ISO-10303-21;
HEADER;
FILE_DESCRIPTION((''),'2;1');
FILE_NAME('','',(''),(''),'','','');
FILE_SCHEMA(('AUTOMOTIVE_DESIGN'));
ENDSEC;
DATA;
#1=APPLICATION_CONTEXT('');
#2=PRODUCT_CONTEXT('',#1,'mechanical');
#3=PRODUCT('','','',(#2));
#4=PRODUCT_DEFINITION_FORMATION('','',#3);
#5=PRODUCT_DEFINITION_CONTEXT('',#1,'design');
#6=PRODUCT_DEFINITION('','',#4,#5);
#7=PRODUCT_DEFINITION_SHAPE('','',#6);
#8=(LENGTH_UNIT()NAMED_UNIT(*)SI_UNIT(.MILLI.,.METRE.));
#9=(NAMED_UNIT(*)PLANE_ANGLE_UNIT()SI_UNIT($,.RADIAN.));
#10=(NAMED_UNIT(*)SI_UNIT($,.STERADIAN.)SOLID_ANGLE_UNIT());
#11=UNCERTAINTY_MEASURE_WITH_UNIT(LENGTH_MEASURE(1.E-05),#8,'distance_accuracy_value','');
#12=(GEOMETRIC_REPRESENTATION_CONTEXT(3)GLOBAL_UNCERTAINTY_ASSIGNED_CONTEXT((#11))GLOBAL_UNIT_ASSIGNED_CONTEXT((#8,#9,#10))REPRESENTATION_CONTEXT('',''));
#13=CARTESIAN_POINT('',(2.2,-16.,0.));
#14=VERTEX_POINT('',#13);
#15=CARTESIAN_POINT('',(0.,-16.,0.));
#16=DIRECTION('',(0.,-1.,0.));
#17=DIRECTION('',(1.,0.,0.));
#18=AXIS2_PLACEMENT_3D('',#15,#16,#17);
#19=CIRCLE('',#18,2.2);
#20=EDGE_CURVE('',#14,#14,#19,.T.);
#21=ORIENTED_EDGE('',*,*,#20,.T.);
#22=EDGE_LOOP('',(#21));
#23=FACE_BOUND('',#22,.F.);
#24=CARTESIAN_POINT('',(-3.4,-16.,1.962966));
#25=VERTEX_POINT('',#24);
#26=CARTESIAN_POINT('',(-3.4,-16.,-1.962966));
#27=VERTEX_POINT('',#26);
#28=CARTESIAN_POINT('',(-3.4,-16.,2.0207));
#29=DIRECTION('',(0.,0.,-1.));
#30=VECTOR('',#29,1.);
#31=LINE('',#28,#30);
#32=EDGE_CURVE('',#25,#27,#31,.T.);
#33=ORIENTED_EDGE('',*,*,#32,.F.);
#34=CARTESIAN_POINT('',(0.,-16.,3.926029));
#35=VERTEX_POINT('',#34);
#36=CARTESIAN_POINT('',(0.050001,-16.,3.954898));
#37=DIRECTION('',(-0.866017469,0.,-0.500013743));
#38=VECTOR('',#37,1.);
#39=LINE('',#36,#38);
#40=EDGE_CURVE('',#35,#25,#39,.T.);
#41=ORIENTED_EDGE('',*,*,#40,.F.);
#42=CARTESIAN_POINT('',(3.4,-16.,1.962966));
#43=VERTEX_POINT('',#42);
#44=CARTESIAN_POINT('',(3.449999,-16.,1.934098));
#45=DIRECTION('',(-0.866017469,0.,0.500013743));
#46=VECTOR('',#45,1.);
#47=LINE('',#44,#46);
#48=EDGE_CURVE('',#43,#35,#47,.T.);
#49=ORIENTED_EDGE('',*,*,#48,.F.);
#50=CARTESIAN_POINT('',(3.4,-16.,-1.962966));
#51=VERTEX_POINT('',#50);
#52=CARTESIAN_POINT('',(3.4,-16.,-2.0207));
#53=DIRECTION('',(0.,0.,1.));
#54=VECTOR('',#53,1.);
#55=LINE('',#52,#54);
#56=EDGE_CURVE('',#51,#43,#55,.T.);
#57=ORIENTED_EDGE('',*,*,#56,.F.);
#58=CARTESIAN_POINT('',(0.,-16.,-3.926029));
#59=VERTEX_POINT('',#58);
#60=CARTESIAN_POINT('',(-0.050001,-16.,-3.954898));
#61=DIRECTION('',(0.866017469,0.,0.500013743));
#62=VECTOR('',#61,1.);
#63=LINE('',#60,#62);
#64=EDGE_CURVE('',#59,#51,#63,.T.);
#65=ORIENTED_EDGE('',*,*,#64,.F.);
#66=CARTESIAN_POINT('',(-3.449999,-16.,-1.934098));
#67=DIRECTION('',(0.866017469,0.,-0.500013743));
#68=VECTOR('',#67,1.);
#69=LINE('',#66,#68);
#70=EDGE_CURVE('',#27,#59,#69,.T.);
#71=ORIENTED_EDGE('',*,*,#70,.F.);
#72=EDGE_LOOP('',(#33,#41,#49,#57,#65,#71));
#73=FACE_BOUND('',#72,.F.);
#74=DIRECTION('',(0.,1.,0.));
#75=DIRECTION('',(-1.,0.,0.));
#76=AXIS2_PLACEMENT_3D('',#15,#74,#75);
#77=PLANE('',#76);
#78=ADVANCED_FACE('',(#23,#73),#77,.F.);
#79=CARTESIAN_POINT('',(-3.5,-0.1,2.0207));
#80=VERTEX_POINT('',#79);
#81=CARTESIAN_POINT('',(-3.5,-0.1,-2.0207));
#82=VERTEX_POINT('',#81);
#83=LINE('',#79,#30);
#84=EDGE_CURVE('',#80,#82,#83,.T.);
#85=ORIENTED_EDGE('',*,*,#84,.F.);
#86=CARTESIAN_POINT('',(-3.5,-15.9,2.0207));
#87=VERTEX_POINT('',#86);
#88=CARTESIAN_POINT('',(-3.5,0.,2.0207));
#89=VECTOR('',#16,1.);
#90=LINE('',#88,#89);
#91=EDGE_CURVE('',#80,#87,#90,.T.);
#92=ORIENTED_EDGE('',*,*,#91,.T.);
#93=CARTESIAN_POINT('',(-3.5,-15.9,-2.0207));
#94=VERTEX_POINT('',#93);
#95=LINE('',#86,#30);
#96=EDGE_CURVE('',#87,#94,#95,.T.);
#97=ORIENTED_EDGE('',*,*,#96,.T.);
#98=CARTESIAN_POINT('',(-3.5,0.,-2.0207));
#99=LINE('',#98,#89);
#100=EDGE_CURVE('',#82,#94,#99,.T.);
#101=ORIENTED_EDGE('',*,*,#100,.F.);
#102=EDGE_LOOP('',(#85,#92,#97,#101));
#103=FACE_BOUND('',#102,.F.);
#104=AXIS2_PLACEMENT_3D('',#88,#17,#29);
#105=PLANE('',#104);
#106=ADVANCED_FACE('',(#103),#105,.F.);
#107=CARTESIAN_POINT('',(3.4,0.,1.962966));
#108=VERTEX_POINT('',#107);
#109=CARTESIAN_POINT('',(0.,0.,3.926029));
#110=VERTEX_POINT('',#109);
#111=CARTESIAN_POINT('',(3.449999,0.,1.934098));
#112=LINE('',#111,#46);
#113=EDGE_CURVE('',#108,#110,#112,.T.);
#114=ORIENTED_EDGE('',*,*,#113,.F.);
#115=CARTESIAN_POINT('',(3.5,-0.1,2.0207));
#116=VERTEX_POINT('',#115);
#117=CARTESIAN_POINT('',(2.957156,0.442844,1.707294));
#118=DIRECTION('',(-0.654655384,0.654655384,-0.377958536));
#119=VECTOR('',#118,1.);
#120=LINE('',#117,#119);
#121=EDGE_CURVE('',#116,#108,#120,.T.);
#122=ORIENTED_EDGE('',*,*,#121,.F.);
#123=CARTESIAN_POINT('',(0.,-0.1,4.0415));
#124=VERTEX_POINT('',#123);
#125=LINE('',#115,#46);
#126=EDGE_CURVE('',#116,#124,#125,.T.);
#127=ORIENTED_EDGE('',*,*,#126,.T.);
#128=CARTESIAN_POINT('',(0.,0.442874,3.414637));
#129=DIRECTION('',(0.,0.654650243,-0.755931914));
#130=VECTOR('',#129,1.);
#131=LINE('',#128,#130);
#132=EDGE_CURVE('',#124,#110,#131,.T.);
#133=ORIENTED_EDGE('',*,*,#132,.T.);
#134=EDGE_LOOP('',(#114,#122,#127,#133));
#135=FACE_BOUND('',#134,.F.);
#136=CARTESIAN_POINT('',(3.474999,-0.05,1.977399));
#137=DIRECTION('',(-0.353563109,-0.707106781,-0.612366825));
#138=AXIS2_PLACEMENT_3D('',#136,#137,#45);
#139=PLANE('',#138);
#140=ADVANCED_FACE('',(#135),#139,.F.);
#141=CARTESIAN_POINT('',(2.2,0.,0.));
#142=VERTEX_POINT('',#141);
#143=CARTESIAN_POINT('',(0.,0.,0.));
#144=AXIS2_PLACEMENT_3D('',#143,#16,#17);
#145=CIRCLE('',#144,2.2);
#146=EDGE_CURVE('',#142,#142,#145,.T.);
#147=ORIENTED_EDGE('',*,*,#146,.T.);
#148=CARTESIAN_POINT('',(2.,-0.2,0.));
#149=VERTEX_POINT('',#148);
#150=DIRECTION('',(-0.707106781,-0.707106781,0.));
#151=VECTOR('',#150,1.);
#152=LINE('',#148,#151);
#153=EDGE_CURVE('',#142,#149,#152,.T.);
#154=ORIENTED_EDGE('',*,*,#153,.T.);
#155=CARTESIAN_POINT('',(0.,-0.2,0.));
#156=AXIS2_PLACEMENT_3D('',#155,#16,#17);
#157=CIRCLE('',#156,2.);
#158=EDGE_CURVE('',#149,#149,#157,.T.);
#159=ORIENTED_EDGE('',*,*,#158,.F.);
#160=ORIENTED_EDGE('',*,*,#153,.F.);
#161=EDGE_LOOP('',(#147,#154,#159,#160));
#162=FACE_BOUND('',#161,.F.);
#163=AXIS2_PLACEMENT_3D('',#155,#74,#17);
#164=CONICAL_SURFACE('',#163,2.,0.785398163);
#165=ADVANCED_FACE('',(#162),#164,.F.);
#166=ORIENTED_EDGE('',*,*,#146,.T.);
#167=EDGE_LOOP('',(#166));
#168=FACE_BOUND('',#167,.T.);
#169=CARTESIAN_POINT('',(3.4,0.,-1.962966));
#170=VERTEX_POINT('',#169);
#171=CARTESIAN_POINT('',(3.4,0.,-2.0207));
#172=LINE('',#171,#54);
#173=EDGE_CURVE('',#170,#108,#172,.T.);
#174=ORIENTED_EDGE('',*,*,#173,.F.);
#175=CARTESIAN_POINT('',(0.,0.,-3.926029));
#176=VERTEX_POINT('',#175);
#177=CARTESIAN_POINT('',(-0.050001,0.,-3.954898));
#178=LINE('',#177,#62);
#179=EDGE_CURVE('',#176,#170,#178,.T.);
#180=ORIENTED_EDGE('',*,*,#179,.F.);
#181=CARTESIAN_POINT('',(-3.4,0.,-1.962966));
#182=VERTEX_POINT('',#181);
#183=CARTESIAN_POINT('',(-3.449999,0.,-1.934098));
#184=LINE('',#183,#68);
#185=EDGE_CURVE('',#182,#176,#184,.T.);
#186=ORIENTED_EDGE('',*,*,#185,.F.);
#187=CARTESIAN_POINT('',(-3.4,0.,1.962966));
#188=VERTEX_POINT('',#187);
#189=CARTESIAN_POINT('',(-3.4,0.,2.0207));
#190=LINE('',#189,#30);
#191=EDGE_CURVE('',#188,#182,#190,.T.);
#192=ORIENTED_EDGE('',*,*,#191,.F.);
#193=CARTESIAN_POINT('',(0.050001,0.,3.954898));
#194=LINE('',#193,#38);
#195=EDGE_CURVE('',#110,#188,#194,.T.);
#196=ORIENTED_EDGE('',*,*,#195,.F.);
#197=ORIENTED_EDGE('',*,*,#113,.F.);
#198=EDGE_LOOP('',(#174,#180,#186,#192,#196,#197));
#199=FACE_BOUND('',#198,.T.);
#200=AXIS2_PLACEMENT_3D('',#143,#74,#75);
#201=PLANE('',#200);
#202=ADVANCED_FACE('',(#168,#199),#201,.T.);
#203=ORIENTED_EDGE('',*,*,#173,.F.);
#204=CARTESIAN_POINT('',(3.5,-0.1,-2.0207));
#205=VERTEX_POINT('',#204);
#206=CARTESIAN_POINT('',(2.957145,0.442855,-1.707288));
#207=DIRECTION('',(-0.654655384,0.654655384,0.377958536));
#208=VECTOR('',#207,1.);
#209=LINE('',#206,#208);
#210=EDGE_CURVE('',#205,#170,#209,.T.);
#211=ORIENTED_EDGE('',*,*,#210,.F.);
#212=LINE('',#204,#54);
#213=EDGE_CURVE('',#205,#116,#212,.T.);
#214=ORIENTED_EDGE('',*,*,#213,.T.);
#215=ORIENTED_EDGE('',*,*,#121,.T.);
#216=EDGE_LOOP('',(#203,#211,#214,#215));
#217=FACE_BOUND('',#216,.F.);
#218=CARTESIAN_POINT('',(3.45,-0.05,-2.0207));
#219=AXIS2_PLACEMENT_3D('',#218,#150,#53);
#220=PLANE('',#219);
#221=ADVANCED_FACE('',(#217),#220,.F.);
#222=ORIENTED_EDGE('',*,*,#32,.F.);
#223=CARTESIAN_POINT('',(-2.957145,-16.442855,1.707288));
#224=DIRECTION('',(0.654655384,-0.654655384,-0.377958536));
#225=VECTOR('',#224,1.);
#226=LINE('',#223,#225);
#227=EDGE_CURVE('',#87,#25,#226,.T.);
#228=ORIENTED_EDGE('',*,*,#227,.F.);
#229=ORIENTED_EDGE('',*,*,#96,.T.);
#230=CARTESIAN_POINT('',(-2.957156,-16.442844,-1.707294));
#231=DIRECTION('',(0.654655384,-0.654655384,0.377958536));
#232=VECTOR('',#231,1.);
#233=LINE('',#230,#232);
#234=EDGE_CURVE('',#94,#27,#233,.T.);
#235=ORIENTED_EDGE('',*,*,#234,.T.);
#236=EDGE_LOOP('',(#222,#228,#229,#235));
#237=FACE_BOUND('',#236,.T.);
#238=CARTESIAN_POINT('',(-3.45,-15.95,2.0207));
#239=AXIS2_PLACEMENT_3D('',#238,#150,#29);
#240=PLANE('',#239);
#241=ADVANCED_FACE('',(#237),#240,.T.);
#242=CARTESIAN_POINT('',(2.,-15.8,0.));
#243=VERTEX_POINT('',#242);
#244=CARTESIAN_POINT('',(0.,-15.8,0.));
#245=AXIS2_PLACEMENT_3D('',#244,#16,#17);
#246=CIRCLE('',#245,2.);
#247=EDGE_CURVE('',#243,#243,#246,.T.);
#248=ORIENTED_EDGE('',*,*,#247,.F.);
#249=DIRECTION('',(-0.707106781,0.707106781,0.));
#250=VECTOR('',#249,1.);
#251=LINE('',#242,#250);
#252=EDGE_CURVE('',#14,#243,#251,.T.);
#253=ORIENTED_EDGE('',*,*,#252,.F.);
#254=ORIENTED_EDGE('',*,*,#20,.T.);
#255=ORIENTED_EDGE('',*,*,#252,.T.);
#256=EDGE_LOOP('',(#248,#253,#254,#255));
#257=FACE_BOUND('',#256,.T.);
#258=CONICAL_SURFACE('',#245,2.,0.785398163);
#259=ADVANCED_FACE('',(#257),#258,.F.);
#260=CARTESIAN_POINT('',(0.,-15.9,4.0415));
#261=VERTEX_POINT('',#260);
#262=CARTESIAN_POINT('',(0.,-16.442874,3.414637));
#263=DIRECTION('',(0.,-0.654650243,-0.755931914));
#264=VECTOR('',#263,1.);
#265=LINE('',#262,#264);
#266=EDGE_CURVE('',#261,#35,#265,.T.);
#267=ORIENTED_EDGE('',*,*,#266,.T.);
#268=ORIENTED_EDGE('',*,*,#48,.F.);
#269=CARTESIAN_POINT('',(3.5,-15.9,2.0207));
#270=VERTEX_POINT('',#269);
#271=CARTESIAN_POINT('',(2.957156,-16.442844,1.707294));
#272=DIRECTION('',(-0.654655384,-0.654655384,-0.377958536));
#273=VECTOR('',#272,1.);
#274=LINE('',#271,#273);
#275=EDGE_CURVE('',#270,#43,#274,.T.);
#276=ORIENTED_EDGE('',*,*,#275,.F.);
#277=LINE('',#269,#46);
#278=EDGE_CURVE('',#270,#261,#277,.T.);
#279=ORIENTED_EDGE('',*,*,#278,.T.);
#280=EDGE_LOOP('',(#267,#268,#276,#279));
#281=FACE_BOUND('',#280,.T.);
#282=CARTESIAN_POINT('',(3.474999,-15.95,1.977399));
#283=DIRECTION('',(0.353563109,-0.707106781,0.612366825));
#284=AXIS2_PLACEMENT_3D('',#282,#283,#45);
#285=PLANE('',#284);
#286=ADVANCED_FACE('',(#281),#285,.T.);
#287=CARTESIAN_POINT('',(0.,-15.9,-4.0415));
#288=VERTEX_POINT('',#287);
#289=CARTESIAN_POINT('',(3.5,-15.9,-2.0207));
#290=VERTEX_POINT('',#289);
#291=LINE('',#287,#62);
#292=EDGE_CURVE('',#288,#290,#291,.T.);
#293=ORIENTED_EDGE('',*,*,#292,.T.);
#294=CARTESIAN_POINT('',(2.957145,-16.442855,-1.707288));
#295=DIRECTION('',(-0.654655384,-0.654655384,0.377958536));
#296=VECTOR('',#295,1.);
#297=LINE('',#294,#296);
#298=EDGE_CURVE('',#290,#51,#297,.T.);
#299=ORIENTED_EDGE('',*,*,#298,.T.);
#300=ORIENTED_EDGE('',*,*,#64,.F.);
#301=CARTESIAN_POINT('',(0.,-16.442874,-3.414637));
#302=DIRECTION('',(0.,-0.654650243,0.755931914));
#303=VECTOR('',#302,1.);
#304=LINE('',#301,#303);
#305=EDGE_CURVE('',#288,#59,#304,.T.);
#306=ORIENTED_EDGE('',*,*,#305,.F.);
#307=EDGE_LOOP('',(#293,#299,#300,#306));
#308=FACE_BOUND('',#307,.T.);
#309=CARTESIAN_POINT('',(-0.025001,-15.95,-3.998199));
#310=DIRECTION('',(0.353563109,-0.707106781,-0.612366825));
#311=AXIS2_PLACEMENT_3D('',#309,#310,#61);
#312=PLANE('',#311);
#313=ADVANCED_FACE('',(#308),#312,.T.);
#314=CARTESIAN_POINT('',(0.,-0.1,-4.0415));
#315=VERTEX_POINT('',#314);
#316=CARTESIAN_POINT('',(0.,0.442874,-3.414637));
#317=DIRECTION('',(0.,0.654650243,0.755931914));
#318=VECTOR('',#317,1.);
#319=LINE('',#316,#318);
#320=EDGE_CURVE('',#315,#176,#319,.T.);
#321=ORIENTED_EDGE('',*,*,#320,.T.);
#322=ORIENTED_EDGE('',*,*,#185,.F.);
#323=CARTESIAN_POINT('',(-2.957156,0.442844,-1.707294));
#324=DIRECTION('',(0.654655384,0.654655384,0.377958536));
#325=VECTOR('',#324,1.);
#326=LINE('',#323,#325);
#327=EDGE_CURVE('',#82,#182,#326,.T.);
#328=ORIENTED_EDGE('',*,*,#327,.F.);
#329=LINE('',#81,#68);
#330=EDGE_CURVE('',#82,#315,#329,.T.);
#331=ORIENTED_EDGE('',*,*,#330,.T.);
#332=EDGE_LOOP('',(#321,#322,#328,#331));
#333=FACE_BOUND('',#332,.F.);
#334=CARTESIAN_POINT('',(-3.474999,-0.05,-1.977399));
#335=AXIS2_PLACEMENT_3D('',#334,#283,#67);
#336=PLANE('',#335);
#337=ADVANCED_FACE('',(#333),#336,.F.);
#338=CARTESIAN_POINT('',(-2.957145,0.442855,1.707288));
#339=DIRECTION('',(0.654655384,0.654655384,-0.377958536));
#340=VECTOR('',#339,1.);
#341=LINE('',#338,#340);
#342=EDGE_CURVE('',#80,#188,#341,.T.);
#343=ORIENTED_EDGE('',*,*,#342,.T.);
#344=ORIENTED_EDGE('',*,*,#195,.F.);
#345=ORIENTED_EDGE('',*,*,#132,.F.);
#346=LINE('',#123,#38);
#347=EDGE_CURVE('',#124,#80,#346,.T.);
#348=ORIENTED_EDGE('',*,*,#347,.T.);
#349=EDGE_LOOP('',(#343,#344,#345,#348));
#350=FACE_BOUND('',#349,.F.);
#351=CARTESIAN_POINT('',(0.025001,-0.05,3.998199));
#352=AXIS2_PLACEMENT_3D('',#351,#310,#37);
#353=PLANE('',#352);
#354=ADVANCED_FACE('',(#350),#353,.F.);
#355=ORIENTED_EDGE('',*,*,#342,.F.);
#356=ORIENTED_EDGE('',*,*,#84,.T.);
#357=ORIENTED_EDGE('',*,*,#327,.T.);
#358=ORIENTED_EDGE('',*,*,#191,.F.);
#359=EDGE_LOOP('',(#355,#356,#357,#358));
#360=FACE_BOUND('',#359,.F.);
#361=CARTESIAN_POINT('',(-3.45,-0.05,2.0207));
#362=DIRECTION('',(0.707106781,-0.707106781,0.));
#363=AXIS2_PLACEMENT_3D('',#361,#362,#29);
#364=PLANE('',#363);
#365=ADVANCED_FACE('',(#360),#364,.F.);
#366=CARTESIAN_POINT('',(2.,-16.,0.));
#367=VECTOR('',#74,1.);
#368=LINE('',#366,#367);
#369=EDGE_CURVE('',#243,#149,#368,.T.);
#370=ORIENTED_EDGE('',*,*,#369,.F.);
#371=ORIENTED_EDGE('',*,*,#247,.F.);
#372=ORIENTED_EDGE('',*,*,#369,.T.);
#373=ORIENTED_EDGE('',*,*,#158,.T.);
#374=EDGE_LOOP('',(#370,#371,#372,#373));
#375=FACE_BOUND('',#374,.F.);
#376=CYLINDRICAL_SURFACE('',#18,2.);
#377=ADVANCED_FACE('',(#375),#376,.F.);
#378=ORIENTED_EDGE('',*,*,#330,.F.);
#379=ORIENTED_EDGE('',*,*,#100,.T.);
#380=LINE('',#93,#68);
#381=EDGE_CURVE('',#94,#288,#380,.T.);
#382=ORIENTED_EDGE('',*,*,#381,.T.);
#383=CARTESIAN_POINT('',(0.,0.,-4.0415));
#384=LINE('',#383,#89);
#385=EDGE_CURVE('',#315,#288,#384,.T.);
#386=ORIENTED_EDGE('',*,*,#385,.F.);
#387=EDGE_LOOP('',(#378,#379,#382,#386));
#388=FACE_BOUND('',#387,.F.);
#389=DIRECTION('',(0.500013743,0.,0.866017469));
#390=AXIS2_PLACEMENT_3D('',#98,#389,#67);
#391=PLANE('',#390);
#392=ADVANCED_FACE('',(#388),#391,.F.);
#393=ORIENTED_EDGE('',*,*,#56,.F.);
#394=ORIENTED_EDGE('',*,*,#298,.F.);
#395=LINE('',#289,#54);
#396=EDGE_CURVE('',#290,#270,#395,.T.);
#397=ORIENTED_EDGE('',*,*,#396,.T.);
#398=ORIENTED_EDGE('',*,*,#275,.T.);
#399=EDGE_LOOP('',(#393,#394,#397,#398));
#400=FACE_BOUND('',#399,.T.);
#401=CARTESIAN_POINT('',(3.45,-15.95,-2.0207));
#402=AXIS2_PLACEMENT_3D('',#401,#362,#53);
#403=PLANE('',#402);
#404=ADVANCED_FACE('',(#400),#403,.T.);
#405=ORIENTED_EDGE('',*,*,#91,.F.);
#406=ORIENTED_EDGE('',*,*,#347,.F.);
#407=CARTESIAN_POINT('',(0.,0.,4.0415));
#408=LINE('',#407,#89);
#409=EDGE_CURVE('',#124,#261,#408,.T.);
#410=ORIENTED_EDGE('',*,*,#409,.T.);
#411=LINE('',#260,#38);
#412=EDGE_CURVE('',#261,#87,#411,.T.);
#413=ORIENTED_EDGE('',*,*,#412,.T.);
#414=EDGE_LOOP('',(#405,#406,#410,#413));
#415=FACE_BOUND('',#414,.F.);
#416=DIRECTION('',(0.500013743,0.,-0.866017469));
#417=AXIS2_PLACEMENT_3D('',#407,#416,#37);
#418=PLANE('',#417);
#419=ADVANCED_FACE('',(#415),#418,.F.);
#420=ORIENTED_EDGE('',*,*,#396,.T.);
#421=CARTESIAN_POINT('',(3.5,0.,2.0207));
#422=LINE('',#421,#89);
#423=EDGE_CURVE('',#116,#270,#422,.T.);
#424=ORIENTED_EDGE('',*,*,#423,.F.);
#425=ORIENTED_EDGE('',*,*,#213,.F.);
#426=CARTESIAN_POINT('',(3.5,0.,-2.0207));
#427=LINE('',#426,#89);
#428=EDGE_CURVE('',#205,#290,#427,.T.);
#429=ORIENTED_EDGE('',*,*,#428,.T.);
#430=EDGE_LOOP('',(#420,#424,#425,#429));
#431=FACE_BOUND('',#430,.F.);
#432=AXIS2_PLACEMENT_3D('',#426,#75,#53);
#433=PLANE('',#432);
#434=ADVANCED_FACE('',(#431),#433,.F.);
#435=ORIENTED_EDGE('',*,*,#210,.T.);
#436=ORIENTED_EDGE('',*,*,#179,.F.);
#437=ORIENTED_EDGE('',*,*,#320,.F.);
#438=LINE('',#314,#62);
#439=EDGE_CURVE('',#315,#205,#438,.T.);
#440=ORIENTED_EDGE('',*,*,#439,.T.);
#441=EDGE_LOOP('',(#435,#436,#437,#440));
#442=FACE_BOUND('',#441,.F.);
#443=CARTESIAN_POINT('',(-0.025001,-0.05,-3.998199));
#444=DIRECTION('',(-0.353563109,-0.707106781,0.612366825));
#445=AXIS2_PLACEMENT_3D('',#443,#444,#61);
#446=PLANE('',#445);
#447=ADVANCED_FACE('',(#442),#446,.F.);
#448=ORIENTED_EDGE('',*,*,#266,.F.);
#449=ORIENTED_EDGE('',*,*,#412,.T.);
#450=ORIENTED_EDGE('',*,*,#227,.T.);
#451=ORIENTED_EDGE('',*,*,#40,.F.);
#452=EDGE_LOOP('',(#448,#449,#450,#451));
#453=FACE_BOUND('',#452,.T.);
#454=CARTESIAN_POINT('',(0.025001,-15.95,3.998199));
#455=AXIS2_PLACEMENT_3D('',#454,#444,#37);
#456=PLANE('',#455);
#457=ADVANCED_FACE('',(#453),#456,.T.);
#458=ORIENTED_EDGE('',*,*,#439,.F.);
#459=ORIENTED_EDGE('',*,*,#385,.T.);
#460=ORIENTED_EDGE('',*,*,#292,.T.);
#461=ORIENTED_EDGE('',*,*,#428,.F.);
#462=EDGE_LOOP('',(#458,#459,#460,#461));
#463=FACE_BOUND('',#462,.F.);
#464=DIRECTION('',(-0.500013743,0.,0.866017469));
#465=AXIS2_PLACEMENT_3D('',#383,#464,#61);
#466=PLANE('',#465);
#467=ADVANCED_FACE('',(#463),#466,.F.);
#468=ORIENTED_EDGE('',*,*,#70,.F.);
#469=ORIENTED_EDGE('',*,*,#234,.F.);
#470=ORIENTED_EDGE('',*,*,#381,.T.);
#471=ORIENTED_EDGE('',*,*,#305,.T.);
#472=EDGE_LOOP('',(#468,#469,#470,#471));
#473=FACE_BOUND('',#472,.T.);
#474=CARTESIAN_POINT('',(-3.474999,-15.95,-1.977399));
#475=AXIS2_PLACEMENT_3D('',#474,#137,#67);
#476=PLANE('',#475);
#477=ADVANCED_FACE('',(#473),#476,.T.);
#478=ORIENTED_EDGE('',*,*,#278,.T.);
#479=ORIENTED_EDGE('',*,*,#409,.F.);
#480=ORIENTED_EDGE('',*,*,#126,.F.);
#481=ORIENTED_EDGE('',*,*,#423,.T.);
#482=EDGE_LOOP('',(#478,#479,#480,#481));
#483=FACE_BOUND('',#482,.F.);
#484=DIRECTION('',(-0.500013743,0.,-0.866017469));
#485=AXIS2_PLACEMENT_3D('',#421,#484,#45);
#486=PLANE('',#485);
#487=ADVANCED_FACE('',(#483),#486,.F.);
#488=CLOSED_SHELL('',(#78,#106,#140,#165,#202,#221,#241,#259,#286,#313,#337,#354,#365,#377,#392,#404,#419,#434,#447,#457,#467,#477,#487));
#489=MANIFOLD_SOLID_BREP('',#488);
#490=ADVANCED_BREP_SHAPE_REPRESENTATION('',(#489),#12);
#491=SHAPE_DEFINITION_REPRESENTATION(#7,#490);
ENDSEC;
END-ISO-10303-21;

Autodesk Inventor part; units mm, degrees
ref_plane "YZ Plane" through (0, 0, 0) normal (1, 0, 0) x (0, 1, 0)
ref_plane "XZ Plane" through (0, 0, 0) normal (0, 1, 0) x (-1, 0, 0)
ref_plane "XY Plane" through (0, 0, 0) normal (0, 0, 1) x (1, 0, 0)
sketch "Sketch1" plane through (0, 0, 0) normal (0, 1, 0) x (-1, 0, 0)
  line L0 (-3.5, -2.0207) -> (-3.5, 2.0207)
  line L1 (-3.5, 2.0207) -> (0, 4.0415)
  line L2 (0, 4.0415) -> (3.5, 2.0207)
  line L3 (3.5, 2.0207) -> (3.5, -2.0207)
  line L4 (3.5, -2.0207) -> (0, -4.0415)
  line L5 (0, -4.0415) -> (-3.5, -2.0207)
  point P0 (0, 0)
  point P1 (0, 0)
  dimension "d0" = 7
extrude "Extrusion1" add sketch "Sketch1" against normal blind 16
chamfer "Chamfer1" distance 0.1 angle 45 12 edges at (-1.75, -16, 3.0311) (1.75, -16, 3.0311) (3.5, -16, 0) (1.75, -16, -3.0311) (-1.75, -16, -3.0311) (-3.5, -16, 0) (1.75, 0, 3.0311) (-1.75, 0, 3.0311) (-3.5, 0, 0) (-1.75, 0, -3.0311) (1.75, 0, -3.0311) (3.5, 0, 0)
sketch "Sketch2" plane through (0, -16, 0) normal (0, -1, 0) x (1, 0, 0)
  circle A0 centre (0, 0) radius 2
  dimension "d6" = 4
extrude "Extrusion2" cut sketch "Sketch2" against normal through all
chamfer "Chamfer2" distance 0.2 angle 45 2 edges at (-2, -16, 0) (-2, 0, 0)
thread "Thread1" size "M4x0.7" class "6H" standard "ANSI Metric M Profile" full length
properties part number "09-0003" material "Aluminum 6061"
